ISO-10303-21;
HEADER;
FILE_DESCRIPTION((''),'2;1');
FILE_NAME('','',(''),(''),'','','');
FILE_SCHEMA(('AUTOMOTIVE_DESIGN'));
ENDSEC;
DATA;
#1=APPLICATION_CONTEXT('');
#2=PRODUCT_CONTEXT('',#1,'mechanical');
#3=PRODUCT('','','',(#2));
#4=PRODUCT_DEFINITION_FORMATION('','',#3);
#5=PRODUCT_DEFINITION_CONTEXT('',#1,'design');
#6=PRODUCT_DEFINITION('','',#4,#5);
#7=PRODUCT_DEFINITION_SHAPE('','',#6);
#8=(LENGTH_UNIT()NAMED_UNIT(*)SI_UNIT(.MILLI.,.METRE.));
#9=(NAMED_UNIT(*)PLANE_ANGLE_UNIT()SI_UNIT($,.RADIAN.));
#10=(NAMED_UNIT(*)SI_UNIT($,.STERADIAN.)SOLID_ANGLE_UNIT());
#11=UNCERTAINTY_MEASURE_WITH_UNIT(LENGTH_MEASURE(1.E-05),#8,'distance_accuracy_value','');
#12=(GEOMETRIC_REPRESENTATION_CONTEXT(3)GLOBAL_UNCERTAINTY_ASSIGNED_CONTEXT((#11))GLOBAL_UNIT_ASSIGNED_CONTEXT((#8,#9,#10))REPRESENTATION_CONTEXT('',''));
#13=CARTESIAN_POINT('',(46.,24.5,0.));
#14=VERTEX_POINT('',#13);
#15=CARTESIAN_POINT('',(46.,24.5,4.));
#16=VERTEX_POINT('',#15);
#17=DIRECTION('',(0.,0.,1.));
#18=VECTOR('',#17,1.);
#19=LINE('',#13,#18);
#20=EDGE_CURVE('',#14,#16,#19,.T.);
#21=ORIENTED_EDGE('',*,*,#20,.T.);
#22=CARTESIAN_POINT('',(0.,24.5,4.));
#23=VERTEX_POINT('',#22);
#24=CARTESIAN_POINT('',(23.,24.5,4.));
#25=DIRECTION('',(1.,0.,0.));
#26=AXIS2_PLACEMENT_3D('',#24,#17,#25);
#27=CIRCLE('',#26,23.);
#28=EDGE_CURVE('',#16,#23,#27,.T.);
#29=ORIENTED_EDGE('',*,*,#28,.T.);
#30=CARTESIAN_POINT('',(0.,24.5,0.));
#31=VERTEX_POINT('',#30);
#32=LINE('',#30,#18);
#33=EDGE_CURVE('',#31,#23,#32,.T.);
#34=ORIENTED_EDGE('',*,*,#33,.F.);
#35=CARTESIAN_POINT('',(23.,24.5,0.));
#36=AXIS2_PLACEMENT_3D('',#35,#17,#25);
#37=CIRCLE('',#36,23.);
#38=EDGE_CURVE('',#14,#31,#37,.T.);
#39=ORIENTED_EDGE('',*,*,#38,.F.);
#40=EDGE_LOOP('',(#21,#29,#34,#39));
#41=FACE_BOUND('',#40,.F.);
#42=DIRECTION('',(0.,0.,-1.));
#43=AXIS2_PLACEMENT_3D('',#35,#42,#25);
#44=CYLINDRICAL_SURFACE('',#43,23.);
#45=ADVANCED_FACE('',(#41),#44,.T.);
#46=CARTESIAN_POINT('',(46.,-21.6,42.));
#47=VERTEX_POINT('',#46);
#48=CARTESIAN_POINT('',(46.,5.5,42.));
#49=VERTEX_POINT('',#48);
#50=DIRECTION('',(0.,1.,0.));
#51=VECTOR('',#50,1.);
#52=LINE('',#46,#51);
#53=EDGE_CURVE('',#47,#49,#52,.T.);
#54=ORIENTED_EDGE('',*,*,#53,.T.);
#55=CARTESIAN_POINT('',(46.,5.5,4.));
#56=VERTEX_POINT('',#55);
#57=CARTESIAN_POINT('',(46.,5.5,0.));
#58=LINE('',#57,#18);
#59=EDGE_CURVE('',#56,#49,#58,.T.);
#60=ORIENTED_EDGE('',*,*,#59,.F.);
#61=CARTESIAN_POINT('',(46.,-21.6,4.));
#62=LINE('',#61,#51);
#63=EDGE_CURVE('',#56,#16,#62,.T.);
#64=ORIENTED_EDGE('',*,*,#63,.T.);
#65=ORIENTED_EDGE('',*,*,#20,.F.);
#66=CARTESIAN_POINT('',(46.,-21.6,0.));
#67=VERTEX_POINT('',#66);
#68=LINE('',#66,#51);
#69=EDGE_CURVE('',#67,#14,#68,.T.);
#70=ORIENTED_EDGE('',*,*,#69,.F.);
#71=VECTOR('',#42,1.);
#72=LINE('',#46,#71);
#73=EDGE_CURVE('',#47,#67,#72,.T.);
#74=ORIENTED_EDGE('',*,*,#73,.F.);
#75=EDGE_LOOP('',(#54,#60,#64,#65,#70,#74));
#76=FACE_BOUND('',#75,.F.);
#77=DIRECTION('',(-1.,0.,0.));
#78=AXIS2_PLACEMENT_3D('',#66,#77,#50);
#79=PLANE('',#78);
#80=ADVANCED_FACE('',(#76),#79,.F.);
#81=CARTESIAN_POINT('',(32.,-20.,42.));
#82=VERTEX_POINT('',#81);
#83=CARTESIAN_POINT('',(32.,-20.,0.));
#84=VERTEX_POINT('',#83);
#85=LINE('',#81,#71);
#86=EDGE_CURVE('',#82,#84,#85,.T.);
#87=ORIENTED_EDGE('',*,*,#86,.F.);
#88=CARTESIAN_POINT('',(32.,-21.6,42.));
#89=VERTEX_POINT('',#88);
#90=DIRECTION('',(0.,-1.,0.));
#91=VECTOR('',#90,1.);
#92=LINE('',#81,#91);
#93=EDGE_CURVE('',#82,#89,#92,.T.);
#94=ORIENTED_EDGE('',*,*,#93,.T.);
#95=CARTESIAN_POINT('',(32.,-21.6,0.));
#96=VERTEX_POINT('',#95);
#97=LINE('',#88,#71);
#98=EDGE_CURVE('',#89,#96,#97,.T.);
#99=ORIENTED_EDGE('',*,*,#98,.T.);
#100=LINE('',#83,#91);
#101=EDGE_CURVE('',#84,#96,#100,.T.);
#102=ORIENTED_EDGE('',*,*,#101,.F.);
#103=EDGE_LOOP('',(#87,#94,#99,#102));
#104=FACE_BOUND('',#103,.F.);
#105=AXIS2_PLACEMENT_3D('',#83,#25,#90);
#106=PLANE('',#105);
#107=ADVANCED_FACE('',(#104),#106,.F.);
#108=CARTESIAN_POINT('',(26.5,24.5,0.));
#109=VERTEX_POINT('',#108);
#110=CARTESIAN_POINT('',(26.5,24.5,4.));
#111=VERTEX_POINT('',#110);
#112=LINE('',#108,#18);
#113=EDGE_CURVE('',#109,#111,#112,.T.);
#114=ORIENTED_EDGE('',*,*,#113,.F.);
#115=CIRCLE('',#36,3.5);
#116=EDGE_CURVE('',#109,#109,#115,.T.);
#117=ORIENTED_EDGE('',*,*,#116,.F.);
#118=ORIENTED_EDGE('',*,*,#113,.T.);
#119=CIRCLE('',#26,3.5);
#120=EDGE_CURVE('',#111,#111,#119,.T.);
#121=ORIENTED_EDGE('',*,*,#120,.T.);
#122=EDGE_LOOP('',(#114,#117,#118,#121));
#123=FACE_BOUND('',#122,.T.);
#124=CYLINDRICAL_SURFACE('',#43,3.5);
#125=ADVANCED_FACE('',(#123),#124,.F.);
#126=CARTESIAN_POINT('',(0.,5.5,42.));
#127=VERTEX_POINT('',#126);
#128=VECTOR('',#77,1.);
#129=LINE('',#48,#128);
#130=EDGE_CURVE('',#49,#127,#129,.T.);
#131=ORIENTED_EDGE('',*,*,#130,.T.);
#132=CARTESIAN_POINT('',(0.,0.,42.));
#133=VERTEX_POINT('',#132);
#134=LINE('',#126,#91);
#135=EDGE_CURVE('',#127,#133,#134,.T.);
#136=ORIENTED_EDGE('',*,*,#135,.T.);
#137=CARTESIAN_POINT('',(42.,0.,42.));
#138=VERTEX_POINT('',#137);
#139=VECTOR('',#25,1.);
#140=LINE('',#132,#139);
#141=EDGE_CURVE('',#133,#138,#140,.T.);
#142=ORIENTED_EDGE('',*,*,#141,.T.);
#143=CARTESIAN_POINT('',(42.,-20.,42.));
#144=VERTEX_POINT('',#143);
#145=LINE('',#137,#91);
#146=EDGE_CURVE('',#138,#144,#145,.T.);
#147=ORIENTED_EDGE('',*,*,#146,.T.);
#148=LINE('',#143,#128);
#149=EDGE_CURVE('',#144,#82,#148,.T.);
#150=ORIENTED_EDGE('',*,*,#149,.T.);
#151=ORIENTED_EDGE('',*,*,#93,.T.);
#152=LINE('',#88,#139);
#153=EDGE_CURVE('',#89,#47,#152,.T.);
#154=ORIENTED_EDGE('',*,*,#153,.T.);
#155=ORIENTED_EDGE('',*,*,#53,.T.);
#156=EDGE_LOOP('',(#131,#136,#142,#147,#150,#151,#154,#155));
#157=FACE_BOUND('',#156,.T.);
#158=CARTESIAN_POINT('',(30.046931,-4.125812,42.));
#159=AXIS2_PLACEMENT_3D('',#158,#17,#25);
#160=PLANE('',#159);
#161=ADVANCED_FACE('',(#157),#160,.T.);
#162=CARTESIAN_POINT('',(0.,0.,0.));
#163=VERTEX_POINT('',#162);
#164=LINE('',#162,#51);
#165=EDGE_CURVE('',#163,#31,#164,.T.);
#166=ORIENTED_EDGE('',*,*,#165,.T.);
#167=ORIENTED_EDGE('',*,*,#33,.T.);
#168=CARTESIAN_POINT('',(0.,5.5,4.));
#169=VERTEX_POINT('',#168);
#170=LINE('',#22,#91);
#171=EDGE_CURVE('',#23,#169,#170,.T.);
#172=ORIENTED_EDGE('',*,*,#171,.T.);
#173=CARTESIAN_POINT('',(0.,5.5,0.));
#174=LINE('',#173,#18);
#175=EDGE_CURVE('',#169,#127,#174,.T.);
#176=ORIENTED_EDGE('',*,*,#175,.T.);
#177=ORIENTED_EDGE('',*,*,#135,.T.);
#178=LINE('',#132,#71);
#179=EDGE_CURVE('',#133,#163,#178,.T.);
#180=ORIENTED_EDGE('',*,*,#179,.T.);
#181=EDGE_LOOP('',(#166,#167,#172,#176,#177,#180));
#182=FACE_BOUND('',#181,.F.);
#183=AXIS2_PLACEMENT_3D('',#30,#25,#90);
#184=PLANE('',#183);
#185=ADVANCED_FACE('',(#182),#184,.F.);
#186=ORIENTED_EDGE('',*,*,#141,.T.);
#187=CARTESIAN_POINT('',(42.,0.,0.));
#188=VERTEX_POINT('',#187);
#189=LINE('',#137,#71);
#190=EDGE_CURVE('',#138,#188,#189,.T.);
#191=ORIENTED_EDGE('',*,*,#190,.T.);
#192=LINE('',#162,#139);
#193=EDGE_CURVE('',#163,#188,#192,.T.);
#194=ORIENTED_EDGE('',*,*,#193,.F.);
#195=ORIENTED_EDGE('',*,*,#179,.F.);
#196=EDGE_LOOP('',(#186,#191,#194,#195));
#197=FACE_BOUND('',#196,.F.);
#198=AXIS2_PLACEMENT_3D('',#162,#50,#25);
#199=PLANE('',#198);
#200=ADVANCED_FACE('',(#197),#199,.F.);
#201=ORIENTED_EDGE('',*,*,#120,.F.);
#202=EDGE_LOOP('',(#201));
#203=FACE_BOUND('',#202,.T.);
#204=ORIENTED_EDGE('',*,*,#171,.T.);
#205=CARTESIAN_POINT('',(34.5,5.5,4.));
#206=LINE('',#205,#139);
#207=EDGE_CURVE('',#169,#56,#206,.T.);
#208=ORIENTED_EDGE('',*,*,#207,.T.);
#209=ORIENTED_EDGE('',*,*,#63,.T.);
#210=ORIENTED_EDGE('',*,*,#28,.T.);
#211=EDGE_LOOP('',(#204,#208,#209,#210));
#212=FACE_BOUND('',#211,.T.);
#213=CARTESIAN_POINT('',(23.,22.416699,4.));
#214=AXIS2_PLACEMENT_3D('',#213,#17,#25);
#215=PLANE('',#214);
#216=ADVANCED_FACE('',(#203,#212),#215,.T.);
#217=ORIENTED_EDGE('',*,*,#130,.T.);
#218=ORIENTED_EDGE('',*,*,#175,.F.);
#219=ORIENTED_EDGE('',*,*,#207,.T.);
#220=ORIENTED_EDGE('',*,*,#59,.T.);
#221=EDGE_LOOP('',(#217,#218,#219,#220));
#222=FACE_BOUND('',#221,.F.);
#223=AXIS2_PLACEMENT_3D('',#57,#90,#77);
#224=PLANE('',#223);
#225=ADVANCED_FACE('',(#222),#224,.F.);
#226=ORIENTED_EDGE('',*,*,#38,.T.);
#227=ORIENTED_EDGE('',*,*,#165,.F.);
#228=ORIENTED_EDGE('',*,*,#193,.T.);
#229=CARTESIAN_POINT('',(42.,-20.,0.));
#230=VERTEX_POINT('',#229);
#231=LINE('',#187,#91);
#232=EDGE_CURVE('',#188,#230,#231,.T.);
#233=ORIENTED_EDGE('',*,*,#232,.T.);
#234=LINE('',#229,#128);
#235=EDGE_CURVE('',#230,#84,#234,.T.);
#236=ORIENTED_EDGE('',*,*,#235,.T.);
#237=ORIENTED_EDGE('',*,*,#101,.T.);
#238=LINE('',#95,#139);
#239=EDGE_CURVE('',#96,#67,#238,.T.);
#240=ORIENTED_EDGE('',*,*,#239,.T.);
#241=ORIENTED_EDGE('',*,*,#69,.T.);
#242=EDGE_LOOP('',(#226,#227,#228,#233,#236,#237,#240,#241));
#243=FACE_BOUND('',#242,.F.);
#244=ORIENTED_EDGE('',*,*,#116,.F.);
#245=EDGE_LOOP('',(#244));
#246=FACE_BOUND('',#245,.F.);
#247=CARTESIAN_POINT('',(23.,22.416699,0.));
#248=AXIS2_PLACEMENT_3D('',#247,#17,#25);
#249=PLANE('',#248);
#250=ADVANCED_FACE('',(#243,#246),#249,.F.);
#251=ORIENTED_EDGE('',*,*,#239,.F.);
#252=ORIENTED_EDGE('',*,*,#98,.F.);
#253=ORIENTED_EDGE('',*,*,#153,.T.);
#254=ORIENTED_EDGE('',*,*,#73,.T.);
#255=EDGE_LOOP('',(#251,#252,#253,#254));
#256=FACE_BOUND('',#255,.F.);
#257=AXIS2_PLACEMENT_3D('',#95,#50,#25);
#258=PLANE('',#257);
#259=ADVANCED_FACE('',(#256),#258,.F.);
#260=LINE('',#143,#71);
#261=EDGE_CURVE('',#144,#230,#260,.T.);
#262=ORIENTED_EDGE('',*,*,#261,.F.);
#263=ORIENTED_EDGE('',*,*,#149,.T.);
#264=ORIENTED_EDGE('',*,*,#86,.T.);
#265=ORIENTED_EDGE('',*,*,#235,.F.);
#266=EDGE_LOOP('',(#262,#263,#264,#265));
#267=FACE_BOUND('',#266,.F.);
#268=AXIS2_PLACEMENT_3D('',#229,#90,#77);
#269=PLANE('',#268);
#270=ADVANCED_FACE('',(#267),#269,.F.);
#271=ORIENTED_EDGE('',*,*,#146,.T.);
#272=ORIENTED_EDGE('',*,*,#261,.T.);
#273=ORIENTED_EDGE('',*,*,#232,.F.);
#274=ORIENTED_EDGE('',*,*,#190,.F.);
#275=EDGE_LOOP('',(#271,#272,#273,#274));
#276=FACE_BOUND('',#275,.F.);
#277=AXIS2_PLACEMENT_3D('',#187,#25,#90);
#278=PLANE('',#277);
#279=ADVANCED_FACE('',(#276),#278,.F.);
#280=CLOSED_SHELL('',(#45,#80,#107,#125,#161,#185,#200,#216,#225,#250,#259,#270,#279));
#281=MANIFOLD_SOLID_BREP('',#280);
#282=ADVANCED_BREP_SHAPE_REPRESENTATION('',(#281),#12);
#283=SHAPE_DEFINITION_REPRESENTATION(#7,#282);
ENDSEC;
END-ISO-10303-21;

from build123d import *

# Parameters (mm, degrees)
F0_R     = 3.5
F2_DEPTH = 4
F3_DEPTH = 42


with BuildPart() as f2:
    # F0 (on Top) → F2 (new body, through all)
    with BuildSketch(Plane.XY):
        with BuildLine():
            Line((46, 5.5), (46, 24.5))
            ThreePointArc((46, 24.5), (23, 47.5), (0, 24.5))
            Line((0, 24.5), (0, 5.5))
            Line((0, 5.5), (42, 5.5))
            Line((42, 5.5), (46, 5.5))
        make_face()
        with Locations((23, 24.5)):
            Circle(F0_R, mode=Mode.SUBTRACT)
        Polygon((46, 0), (46, 5.5), (42, 5.5), (0, 5.5), (0, 0), (42, 0), (42, -20), (32, -20), (32, -21.6), (42, -21.6), (46, -21.6), (46, -20), align=None)
    extrude(amount=F2_DEPTH)

    # F0 (on Top) → F3 (join, through all)
    with BuildSketch(Plane.XY):
        Polygon((46, 0), (46, 5.5), (42, 5.5), (0, 5.5), (0, 0), (42, 0), (42, -20), (32, -20), (32, -21.6), (42, -21.6), (46, -21.6), (46, -20), align=None)
    extrude(amount=F3_DEPTH)


solid = f2.part
